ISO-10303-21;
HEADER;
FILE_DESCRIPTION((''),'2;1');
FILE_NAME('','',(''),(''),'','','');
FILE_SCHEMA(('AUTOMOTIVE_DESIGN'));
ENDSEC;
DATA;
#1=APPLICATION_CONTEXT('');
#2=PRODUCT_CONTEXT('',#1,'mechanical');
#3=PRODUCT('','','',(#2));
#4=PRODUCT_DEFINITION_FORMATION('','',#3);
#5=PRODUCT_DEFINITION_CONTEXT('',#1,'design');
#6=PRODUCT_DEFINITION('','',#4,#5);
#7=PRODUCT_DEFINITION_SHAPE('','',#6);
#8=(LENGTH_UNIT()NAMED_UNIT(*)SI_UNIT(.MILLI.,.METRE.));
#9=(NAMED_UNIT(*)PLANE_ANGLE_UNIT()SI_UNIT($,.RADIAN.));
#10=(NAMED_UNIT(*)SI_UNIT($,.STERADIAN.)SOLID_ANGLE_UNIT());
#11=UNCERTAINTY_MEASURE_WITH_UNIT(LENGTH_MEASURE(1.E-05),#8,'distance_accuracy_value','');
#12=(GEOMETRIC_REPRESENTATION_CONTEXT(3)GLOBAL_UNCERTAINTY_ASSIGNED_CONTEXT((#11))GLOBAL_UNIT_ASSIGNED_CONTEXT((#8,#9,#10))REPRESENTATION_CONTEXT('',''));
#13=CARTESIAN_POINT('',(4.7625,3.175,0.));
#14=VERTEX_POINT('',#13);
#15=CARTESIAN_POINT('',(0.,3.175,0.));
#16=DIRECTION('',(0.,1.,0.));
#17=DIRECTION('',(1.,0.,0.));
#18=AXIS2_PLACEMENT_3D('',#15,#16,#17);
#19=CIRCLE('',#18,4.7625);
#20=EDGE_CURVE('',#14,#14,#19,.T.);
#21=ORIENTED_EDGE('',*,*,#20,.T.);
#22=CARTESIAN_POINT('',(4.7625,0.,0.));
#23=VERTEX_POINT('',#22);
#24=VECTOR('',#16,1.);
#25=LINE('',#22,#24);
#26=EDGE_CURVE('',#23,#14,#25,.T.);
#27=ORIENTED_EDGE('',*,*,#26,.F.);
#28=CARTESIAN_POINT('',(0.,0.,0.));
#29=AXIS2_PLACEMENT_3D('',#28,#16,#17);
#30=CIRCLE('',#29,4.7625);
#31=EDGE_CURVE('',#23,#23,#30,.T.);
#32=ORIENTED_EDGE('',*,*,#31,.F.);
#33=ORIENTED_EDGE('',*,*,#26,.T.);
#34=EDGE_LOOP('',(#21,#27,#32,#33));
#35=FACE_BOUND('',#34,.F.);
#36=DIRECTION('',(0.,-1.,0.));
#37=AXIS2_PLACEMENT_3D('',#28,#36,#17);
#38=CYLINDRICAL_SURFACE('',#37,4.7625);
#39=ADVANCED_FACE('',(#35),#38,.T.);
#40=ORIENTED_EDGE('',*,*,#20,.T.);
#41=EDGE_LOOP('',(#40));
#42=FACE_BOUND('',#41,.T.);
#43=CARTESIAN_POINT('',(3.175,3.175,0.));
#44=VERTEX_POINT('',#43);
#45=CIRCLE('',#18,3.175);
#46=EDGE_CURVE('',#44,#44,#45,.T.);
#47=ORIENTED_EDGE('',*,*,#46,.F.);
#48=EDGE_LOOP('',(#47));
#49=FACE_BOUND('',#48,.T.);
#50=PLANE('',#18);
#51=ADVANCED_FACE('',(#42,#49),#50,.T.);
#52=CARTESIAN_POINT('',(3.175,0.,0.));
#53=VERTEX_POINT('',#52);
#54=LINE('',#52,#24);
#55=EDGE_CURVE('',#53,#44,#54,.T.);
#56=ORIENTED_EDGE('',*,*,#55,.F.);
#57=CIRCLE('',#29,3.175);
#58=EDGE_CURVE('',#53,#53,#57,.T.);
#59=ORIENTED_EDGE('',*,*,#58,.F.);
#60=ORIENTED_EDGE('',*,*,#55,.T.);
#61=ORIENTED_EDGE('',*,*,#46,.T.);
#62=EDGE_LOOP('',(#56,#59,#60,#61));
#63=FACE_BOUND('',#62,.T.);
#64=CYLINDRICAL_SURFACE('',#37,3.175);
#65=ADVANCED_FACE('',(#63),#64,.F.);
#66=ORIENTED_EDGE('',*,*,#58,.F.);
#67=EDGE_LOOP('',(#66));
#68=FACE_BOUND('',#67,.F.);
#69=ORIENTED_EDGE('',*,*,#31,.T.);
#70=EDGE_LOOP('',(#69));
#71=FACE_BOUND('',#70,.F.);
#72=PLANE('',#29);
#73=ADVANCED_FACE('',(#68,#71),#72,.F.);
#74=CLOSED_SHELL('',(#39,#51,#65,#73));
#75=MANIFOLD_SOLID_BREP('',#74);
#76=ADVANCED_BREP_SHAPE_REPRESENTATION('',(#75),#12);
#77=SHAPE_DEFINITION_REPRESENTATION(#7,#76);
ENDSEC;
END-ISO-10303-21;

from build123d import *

# Parameters (mm, degrees)
SKETCH1_R           = 4.7625
SKETCH1_R_2         = 3.175
BOSS_EXTRUDE3_DEPTH = 3.175


with BuildPart() as part:
    # Sketch1 → Boss-Extrude3 (new body)
    with BuildSketch(Plane(origin=(0, 0, 0), x_dir=(1, 0, 0), z_dir=(0, 1, 0))):
        Circle(SKETCH1_R)
        Circle(SKETCH1_R_2, mode=Mode.SUBTRACT)
    extrude(amount=BOSS_EXTRUDE3_DEPTH)


solid = part.part
